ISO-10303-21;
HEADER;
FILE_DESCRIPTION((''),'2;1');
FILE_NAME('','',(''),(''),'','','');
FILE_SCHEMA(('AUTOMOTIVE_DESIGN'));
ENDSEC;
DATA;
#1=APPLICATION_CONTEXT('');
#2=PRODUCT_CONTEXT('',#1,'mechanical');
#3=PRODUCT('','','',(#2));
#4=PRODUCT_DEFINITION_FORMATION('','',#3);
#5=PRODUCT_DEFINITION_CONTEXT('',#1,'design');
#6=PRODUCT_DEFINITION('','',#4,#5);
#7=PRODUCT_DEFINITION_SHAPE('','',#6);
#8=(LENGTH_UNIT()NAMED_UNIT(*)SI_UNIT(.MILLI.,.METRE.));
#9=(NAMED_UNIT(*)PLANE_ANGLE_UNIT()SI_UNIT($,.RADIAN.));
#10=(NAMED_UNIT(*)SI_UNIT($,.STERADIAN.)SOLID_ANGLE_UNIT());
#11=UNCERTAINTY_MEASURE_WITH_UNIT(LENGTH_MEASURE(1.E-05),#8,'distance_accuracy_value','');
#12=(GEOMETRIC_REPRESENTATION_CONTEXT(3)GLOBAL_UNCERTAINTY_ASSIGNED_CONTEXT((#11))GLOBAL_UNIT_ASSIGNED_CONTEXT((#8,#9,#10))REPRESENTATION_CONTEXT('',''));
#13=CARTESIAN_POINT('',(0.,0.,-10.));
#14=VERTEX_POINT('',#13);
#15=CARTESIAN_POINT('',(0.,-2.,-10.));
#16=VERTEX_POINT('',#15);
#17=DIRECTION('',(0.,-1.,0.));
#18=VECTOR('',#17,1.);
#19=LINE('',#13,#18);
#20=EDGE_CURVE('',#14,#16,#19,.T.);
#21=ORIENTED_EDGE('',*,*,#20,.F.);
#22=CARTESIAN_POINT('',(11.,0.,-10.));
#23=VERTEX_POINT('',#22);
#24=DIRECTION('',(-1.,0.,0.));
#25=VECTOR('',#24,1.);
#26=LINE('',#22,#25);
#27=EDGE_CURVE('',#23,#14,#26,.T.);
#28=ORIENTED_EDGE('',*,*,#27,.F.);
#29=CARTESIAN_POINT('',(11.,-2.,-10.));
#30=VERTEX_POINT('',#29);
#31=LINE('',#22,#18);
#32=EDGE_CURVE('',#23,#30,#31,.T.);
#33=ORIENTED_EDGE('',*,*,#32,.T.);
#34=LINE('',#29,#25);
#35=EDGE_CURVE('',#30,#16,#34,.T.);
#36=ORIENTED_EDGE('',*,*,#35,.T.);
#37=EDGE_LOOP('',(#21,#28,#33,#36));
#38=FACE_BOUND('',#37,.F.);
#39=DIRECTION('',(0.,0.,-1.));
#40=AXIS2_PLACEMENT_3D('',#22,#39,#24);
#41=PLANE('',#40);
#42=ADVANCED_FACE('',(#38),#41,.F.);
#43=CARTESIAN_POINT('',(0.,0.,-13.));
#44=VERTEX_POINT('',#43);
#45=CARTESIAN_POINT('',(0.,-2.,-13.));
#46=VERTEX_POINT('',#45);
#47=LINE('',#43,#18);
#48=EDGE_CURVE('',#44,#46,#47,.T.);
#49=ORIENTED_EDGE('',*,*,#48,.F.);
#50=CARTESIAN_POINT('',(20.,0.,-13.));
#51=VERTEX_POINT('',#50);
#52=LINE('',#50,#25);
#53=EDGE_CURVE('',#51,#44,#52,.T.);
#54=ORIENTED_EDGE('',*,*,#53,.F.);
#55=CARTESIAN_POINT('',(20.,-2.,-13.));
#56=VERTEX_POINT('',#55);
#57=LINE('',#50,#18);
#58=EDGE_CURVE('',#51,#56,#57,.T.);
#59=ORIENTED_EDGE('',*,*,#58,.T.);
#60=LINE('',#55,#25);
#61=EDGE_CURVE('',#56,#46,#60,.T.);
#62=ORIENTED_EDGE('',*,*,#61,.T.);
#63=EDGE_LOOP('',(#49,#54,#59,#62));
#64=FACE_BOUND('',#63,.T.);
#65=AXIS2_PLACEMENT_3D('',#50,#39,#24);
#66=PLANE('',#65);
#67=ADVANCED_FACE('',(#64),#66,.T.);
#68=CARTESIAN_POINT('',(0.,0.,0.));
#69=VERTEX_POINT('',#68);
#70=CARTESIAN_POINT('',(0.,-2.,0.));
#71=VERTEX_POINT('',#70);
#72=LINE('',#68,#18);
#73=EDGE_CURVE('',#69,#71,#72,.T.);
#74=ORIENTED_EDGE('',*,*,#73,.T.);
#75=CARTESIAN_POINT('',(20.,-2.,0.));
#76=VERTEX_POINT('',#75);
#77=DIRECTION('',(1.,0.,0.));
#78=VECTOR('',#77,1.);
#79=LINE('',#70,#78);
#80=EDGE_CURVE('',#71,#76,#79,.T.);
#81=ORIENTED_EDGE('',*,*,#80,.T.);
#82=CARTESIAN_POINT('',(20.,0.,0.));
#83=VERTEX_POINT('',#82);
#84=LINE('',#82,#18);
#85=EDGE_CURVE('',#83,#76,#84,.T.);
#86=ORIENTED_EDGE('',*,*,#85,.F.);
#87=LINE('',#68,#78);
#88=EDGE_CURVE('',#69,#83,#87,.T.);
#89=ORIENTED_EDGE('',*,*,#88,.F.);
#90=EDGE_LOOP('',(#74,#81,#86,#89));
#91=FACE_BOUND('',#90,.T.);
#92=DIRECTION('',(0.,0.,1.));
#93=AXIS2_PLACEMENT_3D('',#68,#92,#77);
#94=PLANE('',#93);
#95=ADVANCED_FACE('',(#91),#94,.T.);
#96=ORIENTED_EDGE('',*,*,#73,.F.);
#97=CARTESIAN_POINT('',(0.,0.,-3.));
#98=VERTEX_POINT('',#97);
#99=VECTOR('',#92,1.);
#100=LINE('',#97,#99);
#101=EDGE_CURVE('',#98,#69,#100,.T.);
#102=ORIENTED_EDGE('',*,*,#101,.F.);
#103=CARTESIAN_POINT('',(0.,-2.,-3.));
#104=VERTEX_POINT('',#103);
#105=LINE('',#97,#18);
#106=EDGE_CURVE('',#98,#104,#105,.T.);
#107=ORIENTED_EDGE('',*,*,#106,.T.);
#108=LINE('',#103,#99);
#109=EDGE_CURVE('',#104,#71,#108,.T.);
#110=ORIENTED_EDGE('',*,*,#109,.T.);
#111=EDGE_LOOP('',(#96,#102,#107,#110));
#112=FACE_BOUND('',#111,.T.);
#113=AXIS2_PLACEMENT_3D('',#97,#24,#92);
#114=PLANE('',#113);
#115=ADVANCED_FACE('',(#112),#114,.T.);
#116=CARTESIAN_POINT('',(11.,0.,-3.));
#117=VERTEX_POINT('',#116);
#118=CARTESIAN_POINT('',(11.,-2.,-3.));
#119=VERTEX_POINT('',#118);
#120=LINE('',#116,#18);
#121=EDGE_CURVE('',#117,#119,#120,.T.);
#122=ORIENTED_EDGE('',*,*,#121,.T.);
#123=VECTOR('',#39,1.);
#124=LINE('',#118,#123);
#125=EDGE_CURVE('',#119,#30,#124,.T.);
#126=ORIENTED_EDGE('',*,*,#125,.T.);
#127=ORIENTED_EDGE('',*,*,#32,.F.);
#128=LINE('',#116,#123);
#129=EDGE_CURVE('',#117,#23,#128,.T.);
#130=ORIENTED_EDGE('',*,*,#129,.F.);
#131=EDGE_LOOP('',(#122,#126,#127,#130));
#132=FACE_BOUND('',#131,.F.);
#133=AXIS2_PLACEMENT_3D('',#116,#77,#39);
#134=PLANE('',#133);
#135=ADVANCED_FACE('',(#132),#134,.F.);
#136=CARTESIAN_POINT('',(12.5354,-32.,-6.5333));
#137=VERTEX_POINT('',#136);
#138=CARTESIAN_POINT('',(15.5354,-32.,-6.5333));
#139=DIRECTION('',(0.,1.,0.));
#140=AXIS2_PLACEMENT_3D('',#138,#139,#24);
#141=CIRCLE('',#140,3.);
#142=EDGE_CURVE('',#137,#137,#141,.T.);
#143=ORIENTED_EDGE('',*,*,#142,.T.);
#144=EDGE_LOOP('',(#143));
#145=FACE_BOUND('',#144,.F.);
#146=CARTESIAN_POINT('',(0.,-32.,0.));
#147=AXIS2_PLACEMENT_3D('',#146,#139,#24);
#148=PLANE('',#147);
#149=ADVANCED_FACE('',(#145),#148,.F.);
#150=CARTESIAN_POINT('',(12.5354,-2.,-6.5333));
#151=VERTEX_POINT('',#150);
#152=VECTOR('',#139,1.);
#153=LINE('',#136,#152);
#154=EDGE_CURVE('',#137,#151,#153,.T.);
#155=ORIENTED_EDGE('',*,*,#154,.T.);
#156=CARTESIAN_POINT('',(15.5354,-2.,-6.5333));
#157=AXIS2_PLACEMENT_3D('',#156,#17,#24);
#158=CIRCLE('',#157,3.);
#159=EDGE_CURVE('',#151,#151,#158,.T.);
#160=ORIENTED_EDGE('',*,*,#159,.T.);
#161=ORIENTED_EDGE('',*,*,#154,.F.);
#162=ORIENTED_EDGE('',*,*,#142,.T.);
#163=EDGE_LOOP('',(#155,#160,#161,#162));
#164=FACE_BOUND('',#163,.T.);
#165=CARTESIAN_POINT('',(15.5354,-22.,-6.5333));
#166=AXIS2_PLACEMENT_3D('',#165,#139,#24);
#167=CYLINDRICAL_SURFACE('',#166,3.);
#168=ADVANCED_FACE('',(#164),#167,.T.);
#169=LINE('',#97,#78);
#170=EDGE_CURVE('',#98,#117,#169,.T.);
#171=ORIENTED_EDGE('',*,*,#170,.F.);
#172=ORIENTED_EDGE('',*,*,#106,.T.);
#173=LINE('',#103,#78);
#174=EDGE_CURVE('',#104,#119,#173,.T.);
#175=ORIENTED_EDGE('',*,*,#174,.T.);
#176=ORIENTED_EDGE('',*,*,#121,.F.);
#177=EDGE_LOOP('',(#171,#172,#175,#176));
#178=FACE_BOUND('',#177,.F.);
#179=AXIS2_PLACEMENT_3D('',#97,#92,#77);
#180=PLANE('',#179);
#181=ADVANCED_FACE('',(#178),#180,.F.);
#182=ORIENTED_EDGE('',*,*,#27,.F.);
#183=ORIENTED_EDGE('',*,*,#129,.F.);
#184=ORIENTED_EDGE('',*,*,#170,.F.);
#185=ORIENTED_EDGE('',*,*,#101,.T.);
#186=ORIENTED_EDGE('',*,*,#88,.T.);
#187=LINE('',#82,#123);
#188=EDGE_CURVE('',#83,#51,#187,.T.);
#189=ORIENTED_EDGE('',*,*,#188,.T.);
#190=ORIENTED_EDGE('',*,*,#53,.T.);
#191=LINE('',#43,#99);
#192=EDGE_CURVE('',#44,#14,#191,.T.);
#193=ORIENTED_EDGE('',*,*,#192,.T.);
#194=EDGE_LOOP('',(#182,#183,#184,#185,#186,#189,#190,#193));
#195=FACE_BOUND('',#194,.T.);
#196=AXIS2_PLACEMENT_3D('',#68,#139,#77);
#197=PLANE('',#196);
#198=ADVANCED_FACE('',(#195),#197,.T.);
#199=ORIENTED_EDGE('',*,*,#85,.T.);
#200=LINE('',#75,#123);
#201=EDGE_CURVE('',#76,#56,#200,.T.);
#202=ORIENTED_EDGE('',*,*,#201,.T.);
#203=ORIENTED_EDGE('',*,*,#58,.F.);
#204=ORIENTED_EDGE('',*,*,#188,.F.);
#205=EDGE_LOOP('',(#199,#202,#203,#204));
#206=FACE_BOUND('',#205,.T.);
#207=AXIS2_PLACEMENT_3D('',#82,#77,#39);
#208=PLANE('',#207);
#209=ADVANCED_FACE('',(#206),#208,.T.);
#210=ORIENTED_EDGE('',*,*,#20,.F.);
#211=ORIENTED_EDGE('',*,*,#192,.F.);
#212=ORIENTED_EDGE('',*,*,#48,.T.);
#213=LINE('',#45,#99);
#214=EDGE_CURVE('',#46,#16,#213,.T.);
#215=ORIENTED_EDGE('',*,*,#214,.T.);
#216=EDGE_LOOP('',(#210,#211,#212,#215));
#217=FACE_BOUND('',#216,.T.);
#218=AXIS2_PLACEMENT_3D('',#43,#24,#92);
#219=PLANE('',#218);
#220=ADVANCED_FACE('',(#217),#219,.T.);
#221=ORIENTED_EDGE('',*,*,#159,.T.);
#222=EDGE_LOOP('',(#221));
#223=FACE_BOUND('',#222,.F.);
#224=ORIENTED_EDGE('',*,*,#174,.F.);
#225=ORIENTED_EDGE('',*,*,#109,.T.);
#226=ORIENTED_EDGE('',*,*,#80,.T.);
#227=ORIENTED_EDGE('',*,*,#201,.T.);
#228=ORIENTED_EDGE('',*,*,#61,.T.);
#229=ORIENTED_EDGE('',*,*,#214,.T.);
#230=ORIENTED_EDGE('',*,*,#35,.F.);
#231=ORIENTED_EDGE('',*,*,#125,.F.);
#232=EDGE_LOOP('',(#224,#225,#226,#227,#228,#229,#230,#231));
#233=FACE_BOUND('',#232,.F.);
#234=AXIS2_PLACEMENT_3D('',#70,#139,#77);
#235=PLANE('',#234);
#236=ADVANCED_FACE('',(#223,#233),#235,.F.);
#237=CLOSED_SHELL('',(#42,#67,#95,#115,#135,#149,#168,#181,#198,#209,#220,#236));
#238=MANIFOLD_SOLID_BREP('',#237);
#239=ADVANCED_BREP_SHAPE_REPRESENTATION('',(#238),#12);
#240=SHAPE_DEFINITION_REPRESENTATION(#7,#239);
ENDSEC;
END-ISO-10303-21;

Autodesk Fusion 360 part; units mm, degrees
sketch "Sketch1" plane through (0, 0, 0) normal (0, 1, 0) x (1, 0, 0)
  line L0 (0, 0) -> (20, 0)
  line L1 (20, 0) -> (20, 13)
  line L2 (20, 13) -> (0, 13)
  line L3 (0, 3) -> (11, 3)
  line L4 (11, 3) -> (11, 10)
  line L5 (11, 10) -> (0, 10)
  line L6 (0, 13) -> (0, 10)
  line L7 (0, 3) -> (0, 0)
  circle A0 centre (15.5354, 6.5333) radius 3
  dimension "d2" = 6
sketch "Sketch2" plane through (0, 0, 0) normal (0, 1, 0) x (-1, 0, 0)
  line L0 (0, -3) -> (-11, -3)
  line L1 (-20, -13) -> (0, -13)
  circle A0 centre (-15.5354, -6.5333) radius 3
  dimension "d3" = 11
  dimension "d4" = 20
  dimension "d5" = 6
extrude "Extrude1" add sketch "Sketch2" against normal blind 22
extrude "Extrude2" add sketch "Sketch1" against normal blind 2
sketch "Sketch3" plane through (20, 0, 0) normal (1, 0, 0) x (0, 1, 0)
  line L0 (0, -13) -> (0, 0)
  line L1 (0, 0) -> (-2, 0)
  line L2 (-2, 0) -> (-2, -13)
  line L3 (-2, -13) -> (0, -13)
extrude "Extrude3" add 1 faces at (15.9008, -22, -5.6024) along direction (0, -1, 0) blind 10
